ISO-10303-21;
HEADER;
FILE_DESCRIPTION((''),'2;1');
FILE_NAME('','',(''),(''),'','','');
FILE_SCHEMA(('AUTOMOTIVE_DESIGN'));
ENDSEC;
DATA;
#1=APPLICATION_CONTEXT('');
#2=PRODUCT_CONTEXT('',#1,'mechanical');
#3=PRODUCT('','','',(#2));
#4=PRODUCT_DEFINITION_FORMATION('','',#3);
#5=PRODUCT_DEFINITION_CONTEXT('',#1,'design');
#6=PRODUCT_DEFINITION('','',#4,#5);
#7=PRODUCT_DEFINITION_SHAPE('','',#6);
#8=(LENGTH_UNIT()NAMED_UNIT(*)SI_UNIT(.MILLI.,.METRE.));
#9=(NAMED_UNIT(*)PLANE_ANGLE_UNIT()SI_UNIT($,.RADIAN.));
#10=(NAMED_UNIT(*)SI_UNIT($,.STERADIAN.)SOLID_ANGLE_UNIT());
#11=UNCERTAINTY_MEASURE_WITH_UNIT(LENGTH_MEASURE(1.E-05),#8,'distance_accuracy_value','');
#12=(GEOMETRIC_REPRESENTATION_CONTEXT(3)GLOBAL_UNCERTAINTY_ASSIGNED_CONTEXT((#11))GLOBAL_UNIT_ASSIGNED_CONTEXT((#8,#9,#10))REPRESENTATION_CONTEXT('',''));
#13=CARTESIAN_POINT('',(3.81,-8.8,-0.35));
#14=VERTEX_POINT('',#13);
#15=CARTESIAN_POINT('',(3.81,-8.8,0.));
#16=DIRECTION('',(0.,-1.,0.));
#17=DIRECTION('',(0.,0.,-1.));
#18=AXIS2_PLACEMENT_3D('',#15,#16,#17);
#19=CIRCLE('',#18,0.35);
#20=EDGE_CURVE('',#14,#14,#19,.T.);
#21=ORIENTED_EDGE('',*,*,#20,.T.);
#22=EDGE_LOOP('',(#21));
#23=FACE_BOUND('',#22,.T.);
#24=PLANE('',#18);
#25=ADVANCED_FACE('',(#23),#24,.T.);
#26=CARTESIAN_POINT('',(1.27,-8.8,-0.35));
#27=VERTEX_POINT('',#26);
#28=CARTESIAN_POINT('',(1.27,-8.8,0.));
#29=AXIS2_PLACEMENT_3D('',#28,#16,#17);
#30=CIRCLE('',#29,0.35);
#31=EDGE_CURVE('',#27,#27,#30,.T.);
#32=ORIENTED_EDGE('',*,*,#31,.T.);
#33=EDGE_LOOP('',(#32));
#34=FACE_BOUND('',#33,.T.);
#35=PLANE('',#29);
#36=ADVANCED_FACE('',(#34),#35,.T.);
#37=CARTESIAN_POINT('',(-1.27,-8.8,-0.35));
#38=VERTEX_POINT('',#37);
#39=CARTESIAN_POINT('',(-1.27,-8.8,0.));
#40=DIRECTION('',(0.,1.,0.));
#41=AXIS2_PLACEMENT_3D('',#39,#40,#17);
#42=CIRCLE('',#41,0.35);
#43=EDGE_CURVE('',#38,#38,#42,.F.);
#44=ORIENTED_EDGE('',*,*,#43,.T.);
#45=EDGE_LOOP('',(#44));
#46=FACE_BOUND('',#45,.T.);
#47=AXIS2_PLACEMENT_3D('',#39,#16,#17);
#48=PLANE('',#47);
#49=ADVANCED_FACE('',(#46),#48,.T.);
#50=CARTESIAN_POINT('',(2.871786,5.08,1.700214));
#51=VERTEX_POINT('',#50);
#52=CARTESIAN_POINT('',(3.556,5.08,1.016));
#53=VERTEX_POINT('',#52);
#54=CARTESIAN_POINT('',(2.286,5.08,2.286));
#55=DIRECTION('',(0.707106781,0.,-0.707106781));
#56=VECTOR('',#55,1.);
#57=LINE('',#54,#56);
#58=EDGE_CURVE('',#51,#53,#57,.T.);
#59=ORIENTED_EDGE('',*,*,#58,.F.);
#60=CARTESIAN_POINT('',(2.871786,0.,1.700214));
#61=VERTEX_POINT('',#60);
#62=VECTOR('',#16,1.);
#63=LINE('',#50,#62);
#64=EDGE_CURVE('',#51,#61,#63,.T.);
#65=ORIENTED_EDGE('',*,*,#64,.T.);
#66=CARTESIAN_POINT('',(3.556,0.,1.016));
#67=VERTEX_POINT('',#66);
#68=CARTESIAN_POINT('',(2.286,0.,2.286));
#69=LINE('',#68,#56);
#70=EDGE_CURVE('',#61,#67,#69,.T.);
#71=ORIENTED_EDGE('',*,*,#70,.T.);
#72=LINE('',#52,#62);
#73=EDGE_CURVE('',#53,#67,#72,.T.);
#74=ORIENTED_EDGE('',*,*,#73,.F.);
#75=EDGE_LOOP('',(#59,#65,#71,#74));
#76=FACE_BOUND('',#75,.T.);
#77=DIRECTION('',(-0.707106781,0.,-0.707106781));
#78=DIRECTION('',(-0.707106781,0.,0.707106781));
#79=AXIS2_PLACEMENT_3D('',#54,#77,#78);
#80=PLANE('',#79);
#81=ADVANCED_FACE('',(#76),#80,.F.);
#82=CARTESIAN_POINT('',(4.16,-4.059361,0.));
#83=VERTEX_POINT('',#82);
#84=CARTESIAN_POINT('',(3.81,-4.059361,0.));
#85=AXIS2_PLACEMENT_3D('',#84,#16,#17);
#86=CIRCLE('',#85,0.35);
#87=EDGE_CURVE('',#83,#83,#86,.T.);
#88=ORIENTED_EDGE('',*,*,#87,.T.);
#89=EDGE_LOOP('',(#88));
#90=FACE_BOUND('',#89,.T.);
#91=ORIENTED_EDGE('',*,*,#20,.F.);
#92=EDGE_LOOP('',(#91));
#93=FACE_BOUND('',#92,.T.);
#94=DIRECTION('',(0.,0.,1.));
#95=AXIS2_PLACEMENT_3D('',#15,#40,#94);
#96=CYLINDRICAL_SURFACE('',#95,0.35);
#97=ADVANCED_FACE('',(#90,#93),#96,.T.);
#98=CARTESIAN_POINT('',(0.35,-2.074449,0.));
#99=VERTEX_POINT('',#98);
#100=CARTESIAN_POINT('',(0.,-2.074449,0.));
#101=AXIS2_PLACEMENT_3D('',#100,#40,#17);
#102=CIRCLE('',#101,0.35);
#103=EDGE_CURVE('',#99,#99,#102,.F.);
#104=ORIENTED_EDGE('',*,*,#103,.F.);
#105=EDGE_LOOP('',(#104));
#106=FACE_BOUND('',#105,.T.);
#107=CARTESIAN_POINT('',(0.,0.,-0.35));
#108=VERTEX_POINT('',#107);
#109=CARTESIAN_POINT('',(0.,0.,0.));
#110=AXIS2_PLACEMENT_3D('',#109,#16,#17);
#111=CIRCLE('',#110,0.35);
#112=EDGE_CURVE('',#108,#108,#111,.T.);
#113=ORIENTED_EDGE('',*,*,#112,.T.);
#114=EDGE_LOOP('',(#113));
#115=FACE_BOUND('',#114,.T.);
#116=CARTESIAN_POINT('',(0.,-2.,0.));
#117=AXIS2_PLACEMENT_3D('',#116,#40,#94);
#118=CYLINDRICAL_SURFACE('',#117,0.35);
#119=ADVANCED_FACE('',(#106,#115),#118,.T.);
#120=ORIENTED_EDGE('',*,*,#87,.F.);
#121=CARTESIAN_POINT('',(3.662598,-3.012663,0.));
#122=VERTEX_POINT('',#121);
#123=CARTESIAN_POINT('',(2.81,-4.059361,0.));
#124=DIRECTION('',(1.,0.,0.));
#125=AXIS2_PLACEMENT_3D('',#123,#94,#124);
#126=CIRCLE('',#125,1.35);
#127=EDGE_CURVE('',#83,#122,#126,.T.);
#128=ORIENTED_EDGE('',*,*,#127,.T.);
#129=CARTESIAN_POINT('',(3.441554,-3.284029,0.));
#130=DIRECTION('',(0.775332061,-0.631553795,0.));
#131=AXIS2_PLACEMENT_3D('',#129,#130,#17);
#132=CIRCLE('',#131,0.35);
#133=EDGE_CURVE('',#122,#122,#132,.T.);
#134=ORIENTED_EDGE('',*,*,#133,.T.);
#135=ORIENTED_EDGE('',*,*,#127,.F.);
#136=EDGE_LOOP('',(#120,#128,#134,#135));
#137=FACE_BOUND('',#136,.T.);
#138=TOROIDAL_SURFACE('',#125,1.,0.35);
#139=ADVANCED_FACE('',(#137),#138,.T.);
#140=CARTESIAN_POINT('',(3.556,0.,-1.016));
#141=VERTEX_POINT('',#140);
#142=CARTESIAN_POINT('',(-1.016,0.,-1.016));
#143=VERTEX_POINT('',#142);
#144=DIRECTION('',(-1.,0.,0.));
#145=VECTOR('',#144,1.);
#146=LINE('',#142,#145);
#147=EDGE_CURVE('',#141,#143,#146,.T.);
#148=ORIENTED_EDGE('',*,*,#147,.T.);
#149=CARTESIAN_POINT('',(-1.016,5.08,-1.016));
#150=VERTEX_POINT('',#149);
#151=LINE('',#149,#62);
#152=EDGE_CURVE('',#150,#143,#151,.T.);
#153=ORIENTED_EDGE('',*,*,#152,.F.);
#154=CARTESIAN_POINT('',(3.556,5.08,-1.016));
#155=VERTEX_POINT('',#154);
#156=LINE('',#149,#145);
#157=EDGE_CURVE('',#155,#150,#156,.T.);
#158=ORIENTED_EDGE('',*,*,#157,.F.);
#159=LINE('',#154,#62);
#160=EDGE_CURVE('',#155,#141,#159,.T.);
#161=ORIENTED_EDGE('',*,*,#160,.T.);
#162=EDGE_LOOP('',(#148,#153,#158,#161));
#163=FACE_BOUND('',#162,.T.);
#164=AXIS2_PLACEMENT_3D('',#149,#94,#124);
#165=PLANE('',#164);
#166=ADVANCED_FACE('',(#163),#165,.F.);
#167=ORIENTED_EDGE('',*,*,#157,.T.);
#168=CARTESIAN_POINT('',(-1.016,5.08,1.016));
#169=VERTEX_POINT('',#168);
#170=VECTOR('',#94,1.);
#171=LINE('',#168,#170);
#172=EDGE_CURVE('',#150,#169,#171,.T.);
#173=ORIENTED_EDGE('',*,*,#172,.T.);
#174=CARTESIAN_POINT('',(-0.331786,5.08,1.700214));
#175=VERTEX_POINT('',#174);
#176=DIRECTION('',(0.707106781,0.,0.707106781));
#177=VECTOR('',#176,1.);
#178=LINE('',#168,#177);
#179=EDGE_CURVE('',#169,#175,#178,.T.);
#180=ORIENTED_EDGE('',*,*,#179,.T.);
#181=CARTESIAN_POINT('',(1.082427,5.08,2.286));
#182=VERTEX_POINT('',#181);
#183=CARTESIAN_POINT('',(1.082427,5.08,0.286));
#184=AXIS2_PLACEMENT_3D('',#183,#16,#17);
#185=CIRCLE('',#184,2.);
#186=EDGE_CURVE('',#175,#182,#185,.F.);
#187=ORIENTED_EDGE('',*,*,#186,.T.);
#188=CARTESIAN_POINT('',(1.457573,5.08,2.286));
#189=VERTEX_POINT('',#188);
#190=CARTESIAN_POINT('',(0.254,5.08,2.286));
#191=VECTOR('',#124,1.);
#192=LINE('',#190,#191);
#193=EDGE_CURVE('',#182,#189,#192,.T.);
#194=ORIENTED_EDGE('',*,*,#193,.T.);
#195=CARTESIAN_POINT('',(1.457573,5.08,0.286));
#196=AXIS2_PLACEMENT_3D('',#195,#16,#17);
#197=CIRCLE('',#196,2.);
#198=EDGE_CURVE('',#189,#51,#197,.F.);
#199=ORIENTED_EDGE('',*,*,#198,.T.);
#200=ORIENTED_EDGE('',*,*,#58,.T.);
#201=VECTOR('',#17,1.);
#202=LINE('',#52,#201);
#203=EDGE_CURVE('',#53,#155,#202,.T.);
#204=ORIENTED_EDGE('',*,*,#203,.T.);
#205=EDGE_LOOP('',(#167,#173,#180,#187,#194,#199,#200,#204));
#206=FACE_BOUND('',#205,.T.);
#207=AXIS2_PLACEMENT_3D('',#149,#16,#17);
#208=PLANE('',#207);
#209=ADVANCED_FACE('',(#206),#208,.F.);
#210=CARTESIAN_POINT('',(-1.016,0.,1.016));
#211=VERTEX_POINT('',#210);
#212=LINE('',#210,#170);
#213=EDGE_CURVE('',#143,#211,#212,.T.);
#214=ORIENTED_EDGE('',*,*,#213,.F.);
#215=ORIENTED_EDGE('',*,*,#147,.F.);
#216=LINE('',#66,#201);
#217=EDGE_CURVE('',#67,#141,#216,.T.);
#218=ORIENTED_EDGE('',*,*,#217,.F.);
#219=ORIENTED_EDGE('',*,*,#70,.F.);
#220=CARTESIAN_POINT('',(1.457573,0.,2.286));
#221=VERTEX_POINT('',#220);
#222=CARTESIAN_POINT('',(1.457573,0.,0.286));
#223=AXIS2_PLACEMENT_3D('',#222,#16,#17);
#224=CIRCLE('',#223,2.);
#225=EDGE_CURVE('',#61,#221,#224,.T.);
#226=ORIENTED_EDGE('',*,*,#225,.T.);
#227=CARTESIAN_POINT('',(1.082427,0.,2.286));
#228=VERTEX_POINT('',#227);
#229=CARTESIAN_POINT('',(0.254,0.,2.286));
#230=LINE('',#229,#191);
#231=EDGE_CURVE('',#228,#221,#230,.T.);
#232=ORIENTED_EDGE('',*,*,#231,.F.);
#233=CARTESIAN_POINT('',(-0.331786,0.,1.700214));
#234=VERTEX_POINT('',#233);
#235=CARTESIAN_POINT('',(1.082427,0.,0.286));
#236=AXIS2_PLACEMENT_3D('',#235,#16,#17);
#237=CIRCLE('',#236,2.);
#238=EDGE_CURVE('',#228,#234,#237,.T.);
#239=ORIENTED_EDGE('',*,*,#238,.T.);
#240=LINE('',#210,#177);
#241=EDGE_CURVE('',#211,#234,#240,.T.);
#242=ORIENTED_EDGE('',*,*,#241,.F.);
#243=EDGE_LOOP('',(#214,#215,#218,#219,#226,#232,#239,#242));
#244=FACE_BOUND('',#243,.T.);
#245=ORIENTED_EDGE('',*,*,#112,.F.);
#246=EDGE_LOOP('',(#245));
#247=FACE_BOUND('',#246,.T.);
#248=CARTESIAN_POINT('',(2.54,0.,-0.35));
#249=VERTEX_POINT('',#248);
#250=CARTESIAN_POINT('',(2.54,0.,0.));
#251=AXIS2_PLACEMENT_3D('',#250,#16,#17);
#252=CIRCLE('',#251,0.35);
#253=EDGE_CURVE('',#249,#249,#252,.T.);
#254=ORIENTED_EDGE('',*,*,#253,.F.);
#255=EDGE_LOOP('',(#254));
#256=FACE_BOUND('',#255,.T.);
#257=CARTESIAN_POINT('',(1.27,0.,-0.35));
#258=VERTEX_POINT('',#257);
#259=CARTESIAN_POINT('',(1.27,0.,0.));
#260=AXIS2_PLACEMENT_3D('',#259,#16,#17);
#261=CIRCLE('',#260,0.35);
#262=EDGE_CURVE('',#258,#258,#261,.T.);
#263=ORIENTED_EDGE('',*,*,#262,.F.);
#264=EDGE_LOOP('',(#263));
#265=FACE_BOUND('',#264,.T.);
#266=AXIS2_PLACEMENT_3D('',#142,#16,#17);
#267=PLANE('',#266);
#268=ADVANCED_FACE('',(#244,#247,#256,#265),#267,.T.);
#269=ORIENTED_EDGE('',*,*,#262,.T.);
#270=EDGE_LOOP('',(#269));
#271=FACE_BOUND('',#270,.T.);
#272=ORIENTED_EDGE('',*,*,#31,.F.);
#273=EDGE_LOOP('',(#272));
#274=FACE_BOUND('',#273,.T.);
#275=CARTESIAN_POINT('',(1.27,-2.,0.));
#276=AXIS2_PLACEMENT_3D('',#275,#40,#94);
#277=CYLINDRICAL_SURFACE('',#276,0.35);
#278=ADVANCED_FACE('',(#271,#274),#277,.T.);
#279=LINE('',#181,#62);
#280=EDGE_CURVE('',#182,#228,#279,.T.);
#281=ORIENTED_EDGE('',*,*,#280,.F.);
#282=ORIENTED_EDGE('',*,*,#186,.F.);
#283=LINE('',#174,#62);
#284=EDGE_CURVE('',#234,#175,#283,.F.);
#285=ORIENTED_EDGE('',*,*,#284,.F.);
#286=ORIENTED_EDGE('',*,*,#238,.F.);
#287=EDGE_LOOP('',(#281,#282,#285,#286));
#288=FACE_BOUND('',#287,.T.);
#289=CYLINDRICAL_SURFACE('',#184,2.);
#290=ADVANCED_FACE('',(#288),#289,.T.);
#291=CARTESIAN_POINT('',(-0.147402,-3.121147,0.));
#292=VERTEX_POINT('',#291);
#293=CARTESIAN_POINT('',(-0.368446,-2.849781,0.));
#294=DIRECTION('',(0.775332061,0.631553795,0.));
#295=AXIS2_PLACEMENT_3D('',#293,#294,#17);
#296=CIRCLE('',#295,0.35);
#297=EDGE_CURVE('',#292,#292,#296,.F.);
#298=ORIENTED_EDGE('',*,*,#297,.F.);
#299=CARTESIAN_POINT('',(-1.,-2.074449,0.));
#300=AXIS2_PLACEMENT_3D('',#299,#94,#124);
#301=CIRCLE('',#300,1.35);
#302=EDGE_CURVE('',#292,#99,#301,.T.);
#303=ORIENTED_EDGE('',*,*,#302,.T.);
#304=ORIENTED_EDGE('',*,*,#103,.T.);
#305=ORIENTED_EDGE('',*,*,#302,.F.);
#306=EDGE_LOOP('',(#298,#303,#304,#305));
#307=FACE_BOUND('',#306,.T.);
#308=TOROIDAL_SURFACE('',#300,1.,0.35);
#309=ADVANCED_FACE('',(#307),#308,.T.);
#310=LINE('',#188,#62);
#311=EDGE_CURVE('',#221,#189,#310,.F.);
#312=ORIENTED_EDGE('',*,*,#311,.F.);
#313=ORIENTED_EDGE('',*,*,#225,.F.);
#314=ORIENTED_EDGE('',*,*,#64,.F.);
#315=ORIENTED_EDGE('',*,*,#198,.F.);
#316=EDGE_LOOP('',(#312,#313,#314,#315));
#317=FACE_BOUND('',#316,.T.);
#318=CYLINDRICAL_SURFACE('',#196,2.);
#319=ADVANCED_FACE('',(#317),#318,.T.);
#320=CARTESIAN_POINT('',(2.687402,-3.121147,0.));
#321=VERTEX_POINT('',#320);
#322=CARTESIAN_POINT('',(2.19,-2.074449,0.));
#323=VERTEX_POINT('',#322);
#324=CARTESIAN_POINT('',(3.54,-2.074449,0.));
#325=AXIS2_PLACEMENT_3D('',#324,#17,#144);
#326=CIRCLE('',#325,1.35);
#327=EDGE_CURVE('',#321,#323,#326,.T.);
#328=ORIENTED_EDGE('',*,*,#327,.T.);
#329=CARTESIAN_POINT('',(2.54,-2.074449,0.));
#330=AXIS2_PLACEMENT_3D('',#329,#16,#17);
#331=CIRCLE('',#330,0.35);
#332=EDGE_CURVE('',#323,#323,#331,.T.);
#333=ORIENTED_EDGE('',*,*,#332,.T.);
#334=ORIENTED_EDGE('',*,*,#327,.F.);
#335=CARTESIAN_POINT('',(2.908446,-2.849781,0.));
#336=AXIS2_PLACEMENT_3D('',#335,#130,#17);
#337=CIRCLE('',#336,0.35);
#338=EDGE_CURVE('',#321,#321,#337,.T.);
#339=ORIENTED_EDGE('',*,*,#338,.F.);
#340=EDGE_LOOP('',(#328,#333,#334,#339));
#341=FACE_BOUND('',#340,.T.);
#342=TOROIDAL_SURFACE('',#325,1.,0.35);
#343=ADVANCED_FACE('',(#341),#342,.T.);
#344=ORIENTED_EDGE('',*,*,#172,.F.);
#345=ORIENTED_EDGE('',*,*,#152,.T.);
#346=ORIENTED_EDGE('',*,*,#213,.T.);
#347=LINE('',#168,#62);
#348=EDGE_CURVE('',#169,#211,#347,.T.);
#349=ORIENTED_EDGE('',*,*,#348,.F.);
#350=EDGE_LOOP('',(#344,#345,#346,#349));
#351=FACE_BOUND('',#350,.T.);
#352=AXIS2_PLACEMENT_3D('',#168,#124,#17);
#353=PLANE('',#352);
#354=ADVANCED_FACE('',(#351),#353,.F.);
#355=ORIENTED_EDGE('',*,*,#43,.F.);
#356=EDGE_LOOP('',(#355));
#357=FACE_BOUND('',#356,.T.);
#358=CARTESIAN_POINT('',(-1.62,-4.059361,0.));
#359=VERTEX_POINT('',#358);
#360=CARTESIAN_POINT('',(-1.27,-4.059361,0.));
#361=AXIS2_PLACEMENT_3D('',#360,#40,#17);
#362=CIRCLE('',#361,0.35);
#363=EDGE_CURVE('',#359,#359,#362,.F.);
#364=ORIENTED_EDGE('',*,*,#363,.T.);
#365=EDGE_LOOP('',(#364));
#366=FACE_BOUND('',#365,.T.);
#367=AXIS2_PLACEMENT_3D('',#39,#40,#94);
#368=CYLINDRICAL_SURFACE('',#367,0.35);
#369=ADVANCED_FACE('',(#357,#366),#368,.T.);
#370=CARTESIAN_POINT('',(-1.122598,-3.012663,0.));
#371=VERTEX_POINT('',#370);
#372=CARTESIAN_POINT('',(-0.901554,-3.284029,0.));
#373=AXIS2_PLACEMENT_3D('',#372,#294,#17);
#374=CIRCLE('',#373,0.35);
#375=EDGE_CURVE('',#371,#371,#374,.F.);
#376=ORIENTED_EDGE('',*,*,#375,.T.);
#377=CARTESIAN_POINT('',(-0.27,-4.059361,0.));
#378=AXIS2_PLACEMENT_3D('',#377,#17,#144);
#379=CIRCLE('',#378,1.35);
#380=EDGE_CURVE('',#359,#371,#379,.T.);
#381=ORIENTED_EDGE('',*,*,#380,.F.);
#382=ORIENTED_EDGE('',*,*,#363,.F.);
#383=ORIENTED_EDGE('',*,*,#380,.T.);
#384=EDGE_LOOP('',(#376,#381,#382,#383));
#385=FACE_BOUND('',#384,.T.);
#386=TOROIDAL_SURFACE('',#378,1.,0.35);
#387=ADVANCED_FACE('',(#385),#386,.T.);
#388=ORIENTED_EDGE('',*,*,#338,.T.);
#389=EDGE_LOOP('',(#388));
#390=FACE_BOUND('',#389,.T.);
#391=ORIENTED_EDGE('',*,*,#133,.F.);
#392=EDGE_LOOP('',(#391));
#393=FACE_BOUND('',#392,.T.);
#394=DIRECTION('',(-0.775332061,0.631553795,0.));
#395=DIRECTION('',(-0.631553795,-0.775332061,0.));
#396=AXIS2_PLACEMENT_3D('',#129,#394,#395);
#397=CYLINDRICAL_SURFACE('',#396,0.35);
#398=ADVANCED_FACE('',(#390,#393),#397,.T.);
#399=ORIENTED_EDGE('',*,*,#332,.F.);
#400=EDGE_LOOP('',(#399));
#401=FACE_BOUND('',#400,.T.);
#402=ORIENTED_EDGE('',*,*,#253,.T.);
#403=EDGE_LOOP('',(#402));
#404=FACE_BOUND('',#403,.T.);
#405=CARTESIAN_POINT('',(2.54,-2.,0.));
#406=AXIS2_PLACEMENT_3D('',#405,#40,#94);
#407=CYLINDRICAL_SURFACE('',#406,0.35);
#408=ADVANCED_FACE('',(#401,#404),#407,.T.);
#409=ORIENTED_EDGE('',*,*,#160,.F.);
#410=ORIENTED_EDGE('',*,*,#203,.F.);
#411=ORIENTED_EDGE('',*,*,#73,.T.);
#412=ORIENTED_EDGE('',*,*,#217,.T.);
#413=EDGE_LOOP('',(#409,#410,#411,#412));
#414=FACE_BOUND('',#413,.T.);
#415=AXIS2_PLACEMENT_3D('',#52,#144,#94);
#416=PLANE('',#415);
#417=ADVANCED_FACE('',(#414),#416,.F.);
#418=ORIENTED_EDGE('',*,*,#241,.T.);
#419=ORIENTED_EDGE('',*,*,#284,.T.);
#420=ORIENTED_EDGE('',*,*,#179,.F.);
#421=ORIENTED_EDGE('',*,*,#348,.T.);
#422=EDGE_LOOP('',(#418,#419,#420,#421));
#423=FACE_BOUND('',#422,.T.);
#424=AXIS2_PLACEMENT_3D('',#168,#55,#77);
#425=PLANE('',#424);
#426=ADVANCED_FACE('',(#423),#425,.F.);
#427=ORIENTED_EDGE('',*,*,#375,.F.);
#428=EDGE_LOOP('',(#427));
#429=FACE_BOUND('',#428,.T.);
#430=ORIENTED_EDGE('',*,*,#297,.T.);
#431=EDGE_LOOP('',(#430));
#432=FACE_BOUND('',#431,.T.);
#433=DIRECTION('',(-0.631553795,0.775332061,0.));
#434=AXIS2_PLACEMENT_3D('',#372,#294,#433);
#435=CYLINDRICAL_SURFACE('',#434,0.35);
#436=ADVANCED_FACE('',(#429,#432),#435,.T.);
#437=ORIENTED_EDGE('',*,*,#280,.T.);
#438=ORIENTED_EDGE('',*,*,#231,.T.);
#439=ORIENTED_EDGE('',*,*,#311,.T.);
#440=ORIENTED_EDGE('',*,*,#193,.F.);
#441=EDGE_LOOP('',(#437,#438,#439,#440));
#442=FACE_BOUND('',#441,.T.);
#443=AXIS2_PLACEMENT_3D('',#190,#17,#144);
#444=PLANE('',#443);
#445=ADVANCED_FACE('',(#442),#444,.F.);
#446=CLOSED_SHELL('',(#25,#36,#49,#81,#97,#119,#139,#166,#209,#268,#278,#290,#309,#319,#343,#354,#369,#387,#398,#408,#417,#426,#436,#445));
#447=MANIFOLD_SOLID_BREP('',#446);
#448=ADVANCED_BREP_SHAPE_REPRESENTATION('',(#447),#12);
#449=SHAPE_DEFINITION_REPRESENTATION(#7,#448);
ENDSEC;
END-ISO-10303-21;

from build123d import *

# Parameters (mm, degrees)
BOSS_EXTRUDE1_DEPTH = 5.08
SKETCH2_R           = 0.35
BOSS_EXTRUDE2_DEPTH = 2
FILLET1_R           = 2
SKETCH3_R           = 0.35
BOSS_EXTRUDE3_DEPTH = 6.8
SKETCH4_R           = 0.35


with BuildPart() as part:
    # Sketch1 → Boss-Extrude1 (new body)
    with BuildSketch(Plane(origin=(0, 0, 0), x_dir=(1, 0, 0), z_dir=(0, 1, 0))):
        Polygon((-1.016, -1.016), (0.254, -2.286), (2.286, -2.286), (3.556, -1.016), (3.556, 1.016), (-1.016, 1.016), align=None)
    extrude(amount=BOSS_EXTRUDE1_DEPTH)

    # Sketch2 → Boss-Extrude2 (add)
    with BuildSketch(Plane.XZ):
        with Locations(Location((0, 0, 0), (0, 0, 270))):
            Circle(SKETCH2_R)
        with Locations(Location((1.27, 0, 0), (0, 0, 270))):
            Circle(SKETCH2_R)
        with Locations(Location((2.54, 0, 0), (0, 0, 270))):
            Circle(SKETCH2_R)
    extrude(amount=BOSS_EXTRUDE2_DEPTH)

    # Fillet1
    fillet1_edges = [part.edges().sort_by_distance(p)[0] for p in [
        (2.286, 2.54, 2.286),
        (0.254, 2.54, 2.286),
    ]]
    fillet(fillet1_edges, radius=FILLET1_R)

    # Sketch3 → Boss-Extrude3 (add)
    with BuildSketch(Plane.XZ.offset(2)):
        with Locations(Location((1.27, 0, 0), (0, 0, 270))):
            Circle(SKETCH3_R)
    extrude(amount=BOSS_EXTRUDE3_DEPTH)

    # Sweep1: sweep along a path in Sketch5
    with BuildLine(Plane.XY) as sweep1_path:
        Line((3.81, -8.8), (3.81, -4.059360967))
        ThreePointArc((3.81, -4.059360967), (3.713203685, -3.630148778), (3.441553795, -3.284028906))
        Line((3.441553795, -3.284028906), (2.908446205, -2.849781262))
        ThreePointArc((2.908446205, -2.849781262), (2.636796315, -2.503661389), (2.54, -2.074449201))
        Line((2.54, -2.074449201), (2.54, -2))
    # Sketch4 → Sweep1 (sweep)
    with BuildSketch(Plane.XZ.offset(8.8)):
        with Locations((3.81, 0)):
            Circle(SKETCH4_R)
    sweep1 = sweep(path=sweep1_path.line)

    # Mirror1: Sweep1 across plane
    add(sweep1.mirror(Plane(origin=(1.27, 0, 0), x_dir=(0, 0, 1), z_dir=(1, 0, 0))))


solid = part.part
